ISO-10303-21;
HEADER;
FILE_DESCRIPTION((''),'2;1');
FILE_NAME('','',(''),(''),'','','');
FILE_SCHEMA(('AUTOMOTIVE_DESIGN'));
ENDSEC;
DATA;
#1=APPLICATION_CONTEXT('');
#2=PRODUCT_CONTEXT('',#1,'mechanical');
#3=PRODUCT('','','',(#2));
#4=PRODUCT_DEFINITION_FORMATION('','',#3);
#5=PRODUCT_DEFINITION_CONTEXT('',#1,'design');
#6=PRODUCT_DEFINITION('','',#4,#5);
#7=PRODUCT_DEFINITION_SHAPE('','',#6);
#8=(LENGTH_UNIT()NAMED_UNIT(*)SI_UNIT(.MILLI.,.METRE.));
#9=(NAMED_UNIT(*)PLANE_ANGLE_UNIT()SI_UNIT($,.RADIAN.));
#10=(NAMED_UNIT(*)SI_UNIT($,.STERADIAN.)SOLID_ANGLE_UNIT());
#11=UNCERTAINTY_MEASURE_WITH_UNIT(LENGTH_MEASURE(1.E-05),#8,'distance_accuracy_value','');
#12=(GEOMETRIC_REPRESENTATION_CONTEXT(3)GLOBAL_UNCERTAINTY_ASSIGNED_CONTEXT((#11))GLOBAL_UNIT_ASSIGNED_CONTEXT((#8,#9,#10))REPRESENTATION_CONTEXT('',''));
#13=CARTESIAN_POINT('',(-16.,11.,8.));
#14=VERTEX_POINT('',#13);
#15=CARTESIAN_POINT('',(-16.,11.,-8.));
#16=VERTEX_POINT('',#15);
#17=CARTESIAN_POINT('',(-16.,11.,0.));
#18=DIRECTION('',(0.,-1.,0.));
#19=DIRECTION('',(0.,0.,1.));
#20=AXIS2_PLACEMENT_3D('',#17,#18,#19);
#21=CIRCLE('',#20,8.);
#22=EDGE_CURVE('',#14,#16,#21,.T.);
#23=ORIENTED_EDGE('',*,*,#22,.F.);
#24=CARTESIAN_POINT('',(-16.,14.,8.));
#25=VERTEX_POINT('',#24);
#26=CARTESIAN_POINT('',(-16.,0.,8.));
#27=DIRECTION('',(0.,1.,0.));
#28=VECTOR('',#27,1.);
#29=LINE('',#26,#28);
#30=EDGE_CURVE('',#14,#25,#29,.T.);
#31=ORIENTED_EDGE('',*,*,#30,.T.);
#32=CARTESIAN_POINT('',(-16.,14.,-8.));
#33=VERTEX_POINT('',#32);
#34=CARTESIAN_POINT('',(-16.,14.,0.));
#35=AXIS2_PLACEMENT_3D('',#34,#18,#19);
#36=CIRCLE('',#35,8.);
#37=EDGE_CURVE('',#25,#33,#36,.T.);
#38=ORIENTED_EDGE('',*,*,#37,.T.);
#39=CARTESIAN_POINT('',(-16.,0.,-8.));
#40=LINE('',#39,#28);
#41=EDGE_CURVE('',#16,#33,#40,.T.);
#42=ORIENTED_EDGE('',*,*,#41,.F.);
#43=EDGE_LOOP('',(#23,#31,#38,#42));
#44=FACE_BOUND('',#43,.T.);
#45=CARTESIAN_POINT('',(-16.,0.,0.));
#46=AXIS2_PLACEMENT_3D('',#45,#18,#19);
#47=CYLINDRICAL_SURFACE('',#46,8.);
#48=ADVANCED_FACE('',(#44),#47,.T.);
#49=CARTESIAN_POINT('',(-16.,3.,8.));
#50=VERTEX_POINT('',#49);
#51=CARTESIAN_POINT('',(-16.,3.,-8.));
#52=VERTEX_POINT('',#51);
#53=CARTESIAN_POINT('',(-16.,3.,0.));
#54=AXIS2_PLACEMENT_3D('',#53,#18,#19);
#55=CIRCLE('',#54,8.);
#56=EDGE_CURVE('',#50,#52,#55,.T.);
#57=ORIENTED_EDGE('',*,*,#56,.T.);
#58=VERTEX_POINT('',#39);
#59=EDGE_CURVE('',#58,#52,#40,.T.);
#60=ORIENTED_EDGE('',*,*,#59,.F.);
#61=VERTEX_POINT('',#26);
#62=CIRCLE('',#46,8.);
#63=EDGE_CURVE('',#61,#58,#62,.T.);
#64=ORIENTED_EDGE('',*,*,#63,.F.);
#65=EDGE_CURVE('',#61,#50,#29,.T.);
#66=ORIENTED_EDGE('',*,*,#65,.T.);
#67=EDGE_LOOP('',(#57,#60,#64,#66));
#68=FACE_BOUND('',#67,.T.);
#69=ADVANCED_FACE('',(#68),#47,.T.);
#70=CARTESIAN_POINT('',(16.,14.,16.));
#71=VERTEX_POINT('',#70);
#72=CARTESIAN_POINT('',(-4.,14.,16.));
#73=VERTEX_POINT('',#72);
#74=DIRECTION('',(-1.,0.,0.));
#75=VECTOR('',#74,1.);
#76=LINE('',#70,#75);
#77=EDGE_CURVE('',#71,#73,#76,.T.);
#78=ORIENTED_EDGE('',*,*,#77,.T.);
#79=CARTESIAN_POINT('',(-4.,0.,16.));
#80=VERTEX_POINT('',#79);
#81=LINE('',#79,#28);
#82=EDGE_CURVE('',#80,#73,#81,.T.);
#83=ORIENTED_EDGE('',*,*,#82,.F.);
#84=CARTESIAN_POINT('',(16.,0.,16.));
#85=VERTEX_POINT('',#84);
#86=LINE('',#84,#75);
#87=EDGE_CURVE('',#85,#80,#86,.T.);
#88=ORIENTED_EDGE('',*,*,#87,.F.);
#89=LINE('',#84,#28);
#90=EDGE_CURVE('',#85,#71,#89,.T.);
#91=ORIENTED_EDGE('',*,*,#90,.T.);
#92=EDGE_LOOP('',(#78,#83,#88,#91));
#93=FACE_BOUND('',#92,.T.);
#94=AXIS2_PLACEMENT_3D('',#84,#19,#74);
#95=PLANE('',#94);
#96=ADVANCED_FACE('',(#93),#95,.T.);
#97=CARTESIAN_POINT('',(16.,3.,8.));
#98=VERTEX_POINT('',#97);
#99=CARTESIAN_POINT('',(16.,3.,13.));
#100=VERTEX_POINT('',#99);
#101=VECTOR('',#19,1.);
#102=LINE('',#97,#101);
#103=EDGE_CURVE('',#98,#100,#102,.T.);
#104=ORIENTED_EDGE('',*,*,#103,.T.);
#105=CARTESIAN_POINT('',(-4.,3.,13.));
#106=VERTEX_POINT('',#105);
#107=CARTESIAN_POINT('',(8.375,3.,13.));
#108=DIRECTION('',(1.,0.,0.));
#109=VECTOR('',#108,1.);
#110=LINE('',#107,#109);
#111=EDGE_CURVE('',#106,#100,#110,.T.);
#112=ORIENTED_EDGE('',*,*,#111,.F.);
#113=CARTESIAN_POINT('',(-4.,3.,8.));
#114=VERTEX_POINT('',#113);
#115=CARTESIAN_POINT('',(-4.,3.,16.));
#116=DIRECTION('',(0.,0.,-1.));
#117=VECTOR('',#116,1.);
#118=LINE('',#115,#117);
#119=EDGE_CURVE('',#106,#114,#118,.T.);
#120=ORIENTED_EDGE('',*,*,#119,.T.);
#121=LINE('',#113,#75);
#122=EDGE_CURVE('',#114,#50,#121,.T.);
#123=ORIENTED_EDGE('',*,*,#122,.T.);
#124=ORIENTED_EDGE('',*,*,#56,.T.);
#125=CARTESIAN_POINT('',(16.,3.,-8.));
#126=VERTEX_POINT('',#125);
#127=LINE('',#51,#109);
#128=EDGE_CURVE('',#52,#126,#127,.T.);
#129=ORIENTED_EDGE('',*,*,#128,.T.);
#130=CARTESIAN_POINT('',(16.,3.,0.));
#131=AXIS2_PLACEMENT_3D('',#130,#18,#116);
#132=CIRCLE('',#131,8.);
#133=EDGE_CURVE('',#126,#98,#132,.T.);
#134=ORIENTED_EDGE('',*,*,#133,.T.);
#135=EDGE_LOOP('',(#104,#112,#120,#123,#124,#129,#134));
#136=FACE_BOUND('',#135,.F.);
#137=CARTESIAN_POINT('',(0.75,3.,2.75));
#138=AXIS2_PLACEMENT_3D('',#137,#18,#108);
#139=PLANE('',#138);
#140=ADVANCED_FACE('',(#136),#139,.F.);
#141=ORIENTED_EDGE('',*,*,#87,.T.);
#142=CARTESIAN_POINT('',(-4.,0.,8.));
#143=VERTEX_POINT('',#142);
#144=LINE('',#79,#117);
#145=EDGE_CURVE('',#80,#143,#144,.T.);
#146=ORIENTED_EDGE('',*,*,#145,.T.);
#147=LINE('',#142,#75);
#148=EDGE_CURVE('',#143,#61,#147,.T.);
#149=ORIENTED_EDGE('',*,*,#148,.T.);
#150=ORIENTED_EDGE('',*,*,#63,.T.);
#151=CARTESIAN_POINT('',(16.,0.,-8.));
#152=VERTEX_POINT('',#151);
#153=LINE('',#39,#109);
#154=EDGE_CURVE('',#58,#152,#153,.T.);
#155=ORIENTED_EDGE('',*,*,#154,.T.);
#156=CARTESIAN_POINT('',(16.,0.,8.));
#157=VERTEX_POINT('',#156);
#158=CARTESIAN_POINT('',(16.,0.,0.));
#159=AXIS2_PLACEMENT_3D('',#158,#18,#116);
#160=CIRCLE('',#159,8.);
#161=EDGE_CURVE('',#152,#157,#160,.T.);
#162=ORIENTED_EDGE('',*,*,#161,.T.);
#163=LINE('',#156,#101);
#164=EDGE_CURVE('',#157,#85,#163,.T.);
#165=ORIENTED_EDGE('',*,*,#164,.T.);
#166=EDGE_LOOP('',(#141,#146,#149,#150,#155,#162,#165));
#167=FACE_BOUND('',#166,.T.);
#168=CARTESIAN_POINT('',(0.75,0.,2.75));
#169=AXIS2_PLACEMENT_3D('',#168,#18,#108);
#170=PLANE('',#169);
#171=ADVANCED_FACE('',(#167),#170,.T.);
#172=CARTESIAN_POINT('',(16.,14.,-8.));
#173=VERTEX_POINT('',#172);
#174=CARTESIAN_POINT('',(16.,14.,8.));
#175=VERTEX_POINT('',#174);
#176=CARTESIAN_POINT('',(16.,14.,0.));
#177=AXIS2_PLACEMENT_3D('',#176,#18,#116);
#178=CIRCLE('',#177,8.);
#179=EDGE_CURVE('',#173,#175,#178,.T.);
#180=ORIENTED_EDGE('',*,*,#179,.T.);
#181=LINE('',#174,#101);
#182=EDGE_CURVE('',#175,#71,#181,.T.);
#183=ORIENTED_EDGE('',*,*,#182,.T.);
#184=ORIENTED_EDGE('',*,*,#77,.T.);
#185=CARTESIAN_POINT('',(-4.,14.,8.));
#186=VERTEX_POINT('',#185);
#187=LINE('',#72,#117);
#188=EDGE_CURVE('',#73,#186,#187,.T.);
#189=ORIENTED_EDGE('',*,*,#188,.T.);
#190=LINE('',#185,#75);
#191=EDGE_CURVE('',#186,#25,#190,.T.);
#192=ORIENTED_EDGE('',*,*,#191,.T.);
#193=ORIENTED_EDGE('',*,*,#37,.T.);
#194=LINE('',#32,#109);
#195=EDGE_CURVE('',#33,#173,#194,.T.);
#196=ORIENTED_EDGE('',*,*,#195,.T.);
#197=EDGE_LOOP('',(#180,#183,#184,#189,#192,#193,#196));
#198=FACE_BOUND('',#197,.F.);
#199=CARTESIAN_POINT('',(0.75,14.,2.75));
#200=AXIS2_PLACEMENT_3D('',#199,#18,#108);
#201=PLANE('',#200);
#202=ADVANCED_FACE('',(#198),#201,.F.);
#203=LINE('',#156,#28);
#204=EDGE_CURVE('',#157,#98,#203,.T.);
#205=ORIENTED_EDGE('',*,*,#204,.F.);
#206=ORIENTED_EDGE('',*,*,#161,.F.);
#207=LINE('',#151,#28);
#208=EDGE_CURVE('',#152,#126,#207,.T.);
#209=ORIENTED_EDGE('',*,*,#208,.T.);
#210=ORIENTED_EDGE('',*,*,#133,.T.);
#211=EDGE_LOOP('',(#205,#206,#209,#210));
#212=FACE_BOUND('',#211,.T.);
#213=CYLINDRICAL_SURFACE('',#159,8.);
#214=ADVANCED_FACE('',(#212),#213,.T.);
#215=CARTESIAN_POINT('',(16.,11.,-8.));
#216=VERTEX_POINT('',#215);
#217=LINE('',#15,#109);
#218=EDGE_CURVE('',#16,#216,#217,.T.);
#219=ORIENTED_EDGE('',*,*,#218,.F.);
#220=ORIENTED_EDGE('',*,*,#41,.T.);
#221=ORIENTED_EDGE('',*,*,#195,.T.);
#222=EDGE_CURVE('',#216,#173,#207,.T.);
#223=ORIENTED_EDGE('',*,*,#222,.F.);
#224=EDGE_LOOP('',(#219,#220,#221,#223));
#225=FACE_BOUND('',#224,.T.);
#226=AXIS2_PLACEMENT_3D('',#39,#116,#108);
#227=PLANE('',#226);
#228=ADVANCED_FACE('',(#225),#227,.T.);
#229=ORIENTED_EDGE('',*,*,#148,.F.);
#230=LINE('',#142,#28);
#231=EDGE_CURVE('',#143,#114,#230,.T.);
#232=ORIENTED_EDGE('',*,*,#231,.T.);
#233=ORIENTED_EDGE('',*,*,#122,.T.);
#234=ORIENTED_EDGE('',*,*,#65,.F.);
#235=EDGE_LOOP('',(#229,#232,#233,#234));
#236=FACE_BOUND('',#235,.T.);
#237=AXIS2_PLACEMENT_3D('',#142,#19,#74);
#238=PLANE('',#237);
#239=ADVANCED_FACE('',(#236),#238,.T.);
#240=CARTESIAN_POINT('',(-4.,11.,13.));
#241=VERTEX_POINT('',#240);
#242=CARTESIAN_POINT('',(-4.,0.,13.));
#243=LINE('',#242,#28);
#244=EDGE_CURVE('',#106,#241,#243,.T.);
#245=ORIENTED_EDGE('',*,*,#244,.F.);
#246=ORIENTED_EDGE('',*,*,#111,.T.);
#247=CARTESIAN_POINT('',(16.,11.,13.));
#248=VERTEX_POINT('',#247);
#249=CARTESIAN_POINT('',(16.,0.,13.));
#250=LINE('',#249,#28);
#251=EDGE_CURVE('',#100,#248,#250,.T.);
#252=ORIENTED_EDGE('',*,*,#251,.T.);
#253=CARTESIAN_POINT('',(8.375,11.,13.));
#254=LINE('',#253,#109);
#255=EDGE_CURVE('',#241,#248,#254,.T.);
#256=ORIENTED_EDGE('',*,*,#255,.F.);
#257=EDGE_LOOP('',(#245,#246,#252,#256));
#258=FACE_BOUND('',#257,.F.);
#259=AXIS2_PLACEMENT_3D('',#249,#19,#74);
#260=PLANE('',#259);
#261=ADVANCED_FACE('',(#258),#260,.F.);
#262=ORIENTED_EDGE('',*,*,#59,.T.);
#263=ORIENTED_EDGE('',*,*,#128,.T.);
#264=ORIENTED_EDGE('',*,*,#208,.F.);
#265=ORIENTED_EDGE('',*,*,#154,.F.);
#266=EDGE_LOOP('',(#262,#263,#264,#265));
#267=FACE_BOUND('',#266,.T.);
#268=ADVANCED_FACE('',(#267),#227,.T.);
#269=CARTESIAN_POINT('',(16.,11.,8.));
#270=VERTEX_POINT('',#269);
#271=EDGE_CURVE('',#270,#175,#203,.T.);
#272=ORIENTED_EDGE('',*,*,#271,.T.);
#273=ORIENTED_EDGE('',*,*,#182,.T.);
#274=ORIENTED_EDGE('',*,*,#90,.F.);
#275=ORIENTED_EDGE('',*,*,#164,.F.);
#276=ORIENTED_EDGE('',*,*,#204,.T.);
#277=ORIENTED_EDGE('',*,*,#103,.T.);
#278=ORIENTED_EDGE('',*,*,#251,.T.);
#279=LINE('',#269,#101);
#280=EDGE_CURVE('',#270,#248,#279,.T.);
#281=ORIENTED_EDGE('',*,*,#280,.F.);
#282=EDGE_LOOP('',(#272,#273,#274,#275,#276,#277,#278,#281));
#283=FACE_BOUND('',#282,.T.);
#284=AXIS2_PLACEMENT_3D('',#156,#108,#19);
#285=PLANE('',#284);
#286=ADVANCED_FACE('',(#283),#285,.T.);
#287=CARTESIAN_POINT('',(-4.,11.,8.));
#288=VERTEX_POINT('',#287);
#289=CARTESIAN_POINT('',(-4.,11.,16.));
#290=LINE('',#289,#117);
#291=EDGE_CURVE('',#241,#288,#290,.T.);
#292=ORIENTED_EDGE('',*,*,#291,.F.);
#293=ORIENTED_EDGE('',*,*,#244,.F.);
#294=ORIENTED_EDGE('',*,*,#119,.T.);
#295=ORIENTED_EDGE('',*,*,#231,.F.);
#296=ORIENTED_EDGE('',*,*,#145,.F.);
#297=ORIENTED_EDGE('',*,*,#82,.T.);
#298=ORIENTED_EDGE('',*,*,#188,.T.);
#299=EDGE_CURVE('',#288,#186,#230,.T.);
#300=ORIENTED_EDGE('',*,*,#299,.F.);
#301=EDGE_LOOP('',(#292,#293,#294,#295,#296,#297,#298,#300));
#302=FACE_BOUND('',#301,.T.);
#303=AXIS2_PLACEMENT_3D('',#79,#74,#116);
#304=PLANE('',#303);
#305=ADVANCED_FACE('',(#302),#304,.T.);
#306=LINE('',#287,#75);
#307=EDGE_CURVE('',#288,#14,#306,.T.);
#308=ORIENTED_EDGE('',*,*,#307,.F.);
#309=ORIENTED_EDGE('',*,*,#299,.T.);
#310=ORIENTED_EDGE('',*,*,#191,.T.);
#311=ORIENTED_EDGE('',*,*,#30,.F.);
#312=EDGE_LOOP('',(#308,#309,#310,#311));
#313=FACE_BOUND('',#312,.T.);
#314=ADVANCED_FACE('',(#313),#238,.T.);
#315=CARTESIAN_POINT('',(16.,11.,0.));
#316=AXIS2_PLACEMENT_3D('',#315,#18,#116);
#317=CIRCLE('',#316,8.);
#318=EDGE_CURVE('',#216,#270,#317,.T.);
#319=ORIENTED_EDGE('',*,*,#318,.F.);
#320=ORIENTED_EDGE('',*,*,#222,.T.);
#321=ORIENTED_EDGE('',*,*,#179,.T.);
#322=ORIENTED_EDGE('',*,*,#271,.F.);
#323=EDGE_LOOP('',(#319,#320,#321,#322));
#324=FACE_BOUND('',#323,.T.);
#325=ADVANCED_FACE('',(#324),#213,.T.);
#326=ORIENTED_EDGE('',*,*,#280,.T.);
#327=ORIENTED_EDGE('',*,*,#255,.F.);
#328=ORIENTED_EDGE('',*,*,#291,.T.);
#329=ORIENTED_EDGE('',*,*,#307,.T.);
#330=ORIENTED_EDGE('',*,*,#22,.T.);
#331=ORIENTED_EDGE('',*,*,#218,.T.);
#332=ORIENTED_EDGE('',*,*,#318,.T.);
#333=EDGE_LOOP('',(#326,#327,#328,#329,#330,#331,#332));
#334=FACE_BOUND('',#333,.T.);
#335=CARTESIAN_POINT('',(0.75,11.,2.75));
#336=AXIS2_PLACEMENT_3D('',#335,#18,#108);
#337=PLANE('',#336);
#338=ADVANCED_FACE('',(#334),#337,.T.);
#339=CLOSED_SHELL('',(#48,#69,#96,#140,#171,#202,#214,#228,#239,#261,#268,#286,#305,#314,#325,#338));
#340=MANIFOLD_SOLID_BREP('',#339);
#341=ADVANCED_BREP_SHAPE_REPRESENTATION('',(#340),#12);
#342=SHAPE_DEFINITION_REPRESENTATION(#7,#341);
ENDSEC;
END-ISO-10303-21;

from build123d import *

# Parameters (mm, degrees)
F0_R     = 3
F1_DEPTH = 14
F2_T     = -3


with BuildPart() as f1:
    # F0 (on Front) → F1 (new body)
    with BuildSketch(Plane.XZ):
        with BuildLine():
            ThreePointArc((-16, 8), (-24, 0), (-16, -8))
            Line((-16, -8), (16, -8))
            ThreePointArc((16, -8), (24, 0), (16, 8))
            Line((16, 8), (16, 16))
            Line((16, 16), (-4, 16))
            Line((-4, 16), (-4, 8))
            Line((-4, 8), (-16, 8))
        make_face()
        with Locations((-16, 0)):
            Circle(F0_R, mode=Mode.SUBTRACT)
        with Locations((16, 0)):
            Circle(F0_R, mode=Mode.SUBTRACT)
        with Locations((-16, 0)):
            Circle(F0_R)
        with Locations((16, 0)):
            Circle(F0_R)
    extrude(amount=-F1_DEPTH)

    # F2
    f2_openings = [f1.faces().sort_by_distance(p)[0] for p in [
        (-10, 7, 8),
        (-4, 7, 12),
        (24, 7, 0),
        (-24, 7, 0),
        (0, 7, -8),
        (16, 7, 12),
    ]]
    offset(amount=F2_T, openings=f2_openings)


solid = f1.part
